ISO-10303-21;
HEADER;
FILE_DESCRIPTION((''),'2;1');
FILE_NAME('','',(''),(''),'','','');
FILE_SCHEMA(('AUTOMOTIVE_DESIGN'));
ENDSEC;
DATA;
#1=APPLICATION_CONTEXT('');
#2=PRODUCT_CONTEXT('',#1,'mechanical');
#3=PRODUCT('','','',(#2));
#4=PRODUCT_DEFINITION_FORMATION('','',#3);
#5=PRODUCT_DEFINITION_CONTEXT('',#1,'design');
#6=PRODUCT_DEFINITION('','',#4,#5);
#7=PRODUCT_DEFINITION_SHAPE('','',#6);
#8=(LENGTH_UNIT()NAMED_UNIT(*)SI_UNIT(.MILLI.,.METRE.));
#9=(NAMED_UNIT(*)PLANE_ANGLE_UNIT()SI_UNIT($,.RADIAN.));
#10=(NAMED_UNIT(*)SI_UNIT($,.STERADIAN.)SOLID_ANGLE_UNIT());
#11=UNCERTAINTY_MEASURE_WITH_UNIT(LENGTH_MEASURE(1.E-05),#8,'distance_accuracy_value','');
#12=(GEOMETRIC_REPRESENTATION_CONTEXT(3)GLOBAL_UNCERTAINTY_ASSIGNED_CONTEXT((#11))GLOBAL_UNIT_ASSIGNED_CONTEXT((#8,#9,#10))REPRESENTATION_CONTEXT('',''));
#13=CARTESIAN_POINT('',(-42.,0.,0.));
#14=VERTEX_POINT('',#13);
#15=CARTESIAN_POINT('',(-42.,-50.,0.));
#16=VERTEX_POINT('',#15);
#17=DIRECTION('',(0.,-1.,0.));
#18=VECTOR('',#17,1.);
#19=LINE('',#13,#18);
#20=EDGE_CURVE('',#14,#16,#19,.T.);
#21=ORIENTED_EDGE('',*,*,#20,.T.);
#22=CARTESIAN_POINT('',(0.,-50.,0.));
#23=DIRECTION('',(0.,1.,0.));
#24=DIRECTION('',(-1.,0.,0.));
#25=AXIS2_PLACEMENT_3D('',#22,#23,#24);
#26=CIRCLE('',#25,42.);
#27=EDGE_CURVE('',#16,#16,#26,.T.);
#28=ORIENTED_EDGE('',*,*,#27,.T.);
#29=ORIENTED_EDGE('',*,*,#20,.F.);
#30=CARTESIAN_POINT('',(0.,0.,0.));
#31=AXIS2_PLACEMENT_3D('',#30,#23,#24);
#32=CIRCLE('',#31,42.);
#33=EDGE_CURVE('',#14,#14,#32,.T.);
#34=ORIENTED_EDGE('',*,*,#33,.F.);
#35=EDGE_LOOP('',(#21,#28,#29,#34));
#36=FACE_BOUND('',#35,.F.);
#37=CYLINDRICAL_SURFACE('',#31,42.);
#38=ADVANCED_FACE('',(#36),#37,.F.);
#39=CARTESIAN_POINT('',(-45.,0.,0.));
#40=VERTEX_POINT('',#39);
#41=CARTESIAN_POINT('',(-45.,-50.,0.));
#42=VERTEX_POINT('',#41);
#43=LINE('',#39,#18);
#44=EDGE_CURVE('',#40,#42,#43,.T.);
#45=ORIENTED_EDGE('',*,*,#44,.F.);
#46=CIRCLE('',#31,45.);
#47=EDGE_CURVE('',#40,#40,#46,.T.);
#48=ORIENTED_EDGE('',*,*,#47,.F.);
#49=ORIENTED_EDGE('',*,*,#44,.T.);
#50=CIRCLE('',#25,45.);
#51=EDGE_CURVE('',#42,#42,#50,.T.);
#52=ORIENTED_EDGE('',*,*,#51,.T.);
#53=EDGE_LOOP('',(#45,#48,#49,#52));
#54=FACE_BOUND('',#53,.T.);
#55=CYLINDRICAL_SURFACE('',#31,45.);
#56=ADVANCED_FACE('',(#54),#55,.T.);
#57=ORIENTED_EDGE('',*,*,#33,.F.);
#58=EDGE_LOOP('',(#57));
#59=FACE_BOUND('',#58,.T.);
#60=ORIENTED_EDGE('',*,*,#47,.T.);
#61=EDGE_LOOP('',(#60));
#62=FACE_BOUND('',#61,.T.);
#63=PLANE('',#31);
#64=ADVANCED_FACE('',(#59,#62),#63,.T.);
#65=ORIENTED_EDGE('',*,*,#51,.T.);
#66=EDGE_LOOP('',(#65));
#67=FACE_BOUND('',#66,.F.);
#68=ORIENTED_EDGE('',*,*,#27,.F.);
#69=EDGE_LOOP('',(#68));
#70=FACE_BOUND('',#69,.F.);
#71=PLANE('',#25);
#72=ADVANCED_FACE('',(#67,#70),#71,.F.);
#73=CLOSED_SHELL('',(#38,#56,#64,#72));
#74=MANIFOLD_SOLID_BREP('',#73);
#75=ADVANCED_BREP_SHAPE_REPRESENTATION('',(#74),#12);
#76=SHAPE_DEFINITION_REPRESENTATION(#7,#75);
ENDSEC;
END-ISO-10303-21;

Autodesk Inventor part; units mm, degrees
ref_plane "YZ Plane" through (0, 0, 0) normal (1, 0, 0) x (0, 1, 0)
ref_plane "XZ Plane" through (0, 0, 0) normal (0, 1, 0) x (-1, 0, 0)
ref_plane "XY Plane" through (0, 0, 0) normal (0, 0, 1) x (1, 0, 0)
sketch "Sketch1" plane through (0, 0, 0) normal (0, 1, 0) x (-1, 0, 0)
  circle A0 centre (0, 0) radius 45
  circle A1 centre (0, 0) radius 42
  dimension "d0" = 90
  dimension "d1" = 3
extrude "Extrusion1" add sketch "Sketch1" against normal blind 50
properties part number "PRS 1200-22 hatch tube 512mm" material "Steel"
